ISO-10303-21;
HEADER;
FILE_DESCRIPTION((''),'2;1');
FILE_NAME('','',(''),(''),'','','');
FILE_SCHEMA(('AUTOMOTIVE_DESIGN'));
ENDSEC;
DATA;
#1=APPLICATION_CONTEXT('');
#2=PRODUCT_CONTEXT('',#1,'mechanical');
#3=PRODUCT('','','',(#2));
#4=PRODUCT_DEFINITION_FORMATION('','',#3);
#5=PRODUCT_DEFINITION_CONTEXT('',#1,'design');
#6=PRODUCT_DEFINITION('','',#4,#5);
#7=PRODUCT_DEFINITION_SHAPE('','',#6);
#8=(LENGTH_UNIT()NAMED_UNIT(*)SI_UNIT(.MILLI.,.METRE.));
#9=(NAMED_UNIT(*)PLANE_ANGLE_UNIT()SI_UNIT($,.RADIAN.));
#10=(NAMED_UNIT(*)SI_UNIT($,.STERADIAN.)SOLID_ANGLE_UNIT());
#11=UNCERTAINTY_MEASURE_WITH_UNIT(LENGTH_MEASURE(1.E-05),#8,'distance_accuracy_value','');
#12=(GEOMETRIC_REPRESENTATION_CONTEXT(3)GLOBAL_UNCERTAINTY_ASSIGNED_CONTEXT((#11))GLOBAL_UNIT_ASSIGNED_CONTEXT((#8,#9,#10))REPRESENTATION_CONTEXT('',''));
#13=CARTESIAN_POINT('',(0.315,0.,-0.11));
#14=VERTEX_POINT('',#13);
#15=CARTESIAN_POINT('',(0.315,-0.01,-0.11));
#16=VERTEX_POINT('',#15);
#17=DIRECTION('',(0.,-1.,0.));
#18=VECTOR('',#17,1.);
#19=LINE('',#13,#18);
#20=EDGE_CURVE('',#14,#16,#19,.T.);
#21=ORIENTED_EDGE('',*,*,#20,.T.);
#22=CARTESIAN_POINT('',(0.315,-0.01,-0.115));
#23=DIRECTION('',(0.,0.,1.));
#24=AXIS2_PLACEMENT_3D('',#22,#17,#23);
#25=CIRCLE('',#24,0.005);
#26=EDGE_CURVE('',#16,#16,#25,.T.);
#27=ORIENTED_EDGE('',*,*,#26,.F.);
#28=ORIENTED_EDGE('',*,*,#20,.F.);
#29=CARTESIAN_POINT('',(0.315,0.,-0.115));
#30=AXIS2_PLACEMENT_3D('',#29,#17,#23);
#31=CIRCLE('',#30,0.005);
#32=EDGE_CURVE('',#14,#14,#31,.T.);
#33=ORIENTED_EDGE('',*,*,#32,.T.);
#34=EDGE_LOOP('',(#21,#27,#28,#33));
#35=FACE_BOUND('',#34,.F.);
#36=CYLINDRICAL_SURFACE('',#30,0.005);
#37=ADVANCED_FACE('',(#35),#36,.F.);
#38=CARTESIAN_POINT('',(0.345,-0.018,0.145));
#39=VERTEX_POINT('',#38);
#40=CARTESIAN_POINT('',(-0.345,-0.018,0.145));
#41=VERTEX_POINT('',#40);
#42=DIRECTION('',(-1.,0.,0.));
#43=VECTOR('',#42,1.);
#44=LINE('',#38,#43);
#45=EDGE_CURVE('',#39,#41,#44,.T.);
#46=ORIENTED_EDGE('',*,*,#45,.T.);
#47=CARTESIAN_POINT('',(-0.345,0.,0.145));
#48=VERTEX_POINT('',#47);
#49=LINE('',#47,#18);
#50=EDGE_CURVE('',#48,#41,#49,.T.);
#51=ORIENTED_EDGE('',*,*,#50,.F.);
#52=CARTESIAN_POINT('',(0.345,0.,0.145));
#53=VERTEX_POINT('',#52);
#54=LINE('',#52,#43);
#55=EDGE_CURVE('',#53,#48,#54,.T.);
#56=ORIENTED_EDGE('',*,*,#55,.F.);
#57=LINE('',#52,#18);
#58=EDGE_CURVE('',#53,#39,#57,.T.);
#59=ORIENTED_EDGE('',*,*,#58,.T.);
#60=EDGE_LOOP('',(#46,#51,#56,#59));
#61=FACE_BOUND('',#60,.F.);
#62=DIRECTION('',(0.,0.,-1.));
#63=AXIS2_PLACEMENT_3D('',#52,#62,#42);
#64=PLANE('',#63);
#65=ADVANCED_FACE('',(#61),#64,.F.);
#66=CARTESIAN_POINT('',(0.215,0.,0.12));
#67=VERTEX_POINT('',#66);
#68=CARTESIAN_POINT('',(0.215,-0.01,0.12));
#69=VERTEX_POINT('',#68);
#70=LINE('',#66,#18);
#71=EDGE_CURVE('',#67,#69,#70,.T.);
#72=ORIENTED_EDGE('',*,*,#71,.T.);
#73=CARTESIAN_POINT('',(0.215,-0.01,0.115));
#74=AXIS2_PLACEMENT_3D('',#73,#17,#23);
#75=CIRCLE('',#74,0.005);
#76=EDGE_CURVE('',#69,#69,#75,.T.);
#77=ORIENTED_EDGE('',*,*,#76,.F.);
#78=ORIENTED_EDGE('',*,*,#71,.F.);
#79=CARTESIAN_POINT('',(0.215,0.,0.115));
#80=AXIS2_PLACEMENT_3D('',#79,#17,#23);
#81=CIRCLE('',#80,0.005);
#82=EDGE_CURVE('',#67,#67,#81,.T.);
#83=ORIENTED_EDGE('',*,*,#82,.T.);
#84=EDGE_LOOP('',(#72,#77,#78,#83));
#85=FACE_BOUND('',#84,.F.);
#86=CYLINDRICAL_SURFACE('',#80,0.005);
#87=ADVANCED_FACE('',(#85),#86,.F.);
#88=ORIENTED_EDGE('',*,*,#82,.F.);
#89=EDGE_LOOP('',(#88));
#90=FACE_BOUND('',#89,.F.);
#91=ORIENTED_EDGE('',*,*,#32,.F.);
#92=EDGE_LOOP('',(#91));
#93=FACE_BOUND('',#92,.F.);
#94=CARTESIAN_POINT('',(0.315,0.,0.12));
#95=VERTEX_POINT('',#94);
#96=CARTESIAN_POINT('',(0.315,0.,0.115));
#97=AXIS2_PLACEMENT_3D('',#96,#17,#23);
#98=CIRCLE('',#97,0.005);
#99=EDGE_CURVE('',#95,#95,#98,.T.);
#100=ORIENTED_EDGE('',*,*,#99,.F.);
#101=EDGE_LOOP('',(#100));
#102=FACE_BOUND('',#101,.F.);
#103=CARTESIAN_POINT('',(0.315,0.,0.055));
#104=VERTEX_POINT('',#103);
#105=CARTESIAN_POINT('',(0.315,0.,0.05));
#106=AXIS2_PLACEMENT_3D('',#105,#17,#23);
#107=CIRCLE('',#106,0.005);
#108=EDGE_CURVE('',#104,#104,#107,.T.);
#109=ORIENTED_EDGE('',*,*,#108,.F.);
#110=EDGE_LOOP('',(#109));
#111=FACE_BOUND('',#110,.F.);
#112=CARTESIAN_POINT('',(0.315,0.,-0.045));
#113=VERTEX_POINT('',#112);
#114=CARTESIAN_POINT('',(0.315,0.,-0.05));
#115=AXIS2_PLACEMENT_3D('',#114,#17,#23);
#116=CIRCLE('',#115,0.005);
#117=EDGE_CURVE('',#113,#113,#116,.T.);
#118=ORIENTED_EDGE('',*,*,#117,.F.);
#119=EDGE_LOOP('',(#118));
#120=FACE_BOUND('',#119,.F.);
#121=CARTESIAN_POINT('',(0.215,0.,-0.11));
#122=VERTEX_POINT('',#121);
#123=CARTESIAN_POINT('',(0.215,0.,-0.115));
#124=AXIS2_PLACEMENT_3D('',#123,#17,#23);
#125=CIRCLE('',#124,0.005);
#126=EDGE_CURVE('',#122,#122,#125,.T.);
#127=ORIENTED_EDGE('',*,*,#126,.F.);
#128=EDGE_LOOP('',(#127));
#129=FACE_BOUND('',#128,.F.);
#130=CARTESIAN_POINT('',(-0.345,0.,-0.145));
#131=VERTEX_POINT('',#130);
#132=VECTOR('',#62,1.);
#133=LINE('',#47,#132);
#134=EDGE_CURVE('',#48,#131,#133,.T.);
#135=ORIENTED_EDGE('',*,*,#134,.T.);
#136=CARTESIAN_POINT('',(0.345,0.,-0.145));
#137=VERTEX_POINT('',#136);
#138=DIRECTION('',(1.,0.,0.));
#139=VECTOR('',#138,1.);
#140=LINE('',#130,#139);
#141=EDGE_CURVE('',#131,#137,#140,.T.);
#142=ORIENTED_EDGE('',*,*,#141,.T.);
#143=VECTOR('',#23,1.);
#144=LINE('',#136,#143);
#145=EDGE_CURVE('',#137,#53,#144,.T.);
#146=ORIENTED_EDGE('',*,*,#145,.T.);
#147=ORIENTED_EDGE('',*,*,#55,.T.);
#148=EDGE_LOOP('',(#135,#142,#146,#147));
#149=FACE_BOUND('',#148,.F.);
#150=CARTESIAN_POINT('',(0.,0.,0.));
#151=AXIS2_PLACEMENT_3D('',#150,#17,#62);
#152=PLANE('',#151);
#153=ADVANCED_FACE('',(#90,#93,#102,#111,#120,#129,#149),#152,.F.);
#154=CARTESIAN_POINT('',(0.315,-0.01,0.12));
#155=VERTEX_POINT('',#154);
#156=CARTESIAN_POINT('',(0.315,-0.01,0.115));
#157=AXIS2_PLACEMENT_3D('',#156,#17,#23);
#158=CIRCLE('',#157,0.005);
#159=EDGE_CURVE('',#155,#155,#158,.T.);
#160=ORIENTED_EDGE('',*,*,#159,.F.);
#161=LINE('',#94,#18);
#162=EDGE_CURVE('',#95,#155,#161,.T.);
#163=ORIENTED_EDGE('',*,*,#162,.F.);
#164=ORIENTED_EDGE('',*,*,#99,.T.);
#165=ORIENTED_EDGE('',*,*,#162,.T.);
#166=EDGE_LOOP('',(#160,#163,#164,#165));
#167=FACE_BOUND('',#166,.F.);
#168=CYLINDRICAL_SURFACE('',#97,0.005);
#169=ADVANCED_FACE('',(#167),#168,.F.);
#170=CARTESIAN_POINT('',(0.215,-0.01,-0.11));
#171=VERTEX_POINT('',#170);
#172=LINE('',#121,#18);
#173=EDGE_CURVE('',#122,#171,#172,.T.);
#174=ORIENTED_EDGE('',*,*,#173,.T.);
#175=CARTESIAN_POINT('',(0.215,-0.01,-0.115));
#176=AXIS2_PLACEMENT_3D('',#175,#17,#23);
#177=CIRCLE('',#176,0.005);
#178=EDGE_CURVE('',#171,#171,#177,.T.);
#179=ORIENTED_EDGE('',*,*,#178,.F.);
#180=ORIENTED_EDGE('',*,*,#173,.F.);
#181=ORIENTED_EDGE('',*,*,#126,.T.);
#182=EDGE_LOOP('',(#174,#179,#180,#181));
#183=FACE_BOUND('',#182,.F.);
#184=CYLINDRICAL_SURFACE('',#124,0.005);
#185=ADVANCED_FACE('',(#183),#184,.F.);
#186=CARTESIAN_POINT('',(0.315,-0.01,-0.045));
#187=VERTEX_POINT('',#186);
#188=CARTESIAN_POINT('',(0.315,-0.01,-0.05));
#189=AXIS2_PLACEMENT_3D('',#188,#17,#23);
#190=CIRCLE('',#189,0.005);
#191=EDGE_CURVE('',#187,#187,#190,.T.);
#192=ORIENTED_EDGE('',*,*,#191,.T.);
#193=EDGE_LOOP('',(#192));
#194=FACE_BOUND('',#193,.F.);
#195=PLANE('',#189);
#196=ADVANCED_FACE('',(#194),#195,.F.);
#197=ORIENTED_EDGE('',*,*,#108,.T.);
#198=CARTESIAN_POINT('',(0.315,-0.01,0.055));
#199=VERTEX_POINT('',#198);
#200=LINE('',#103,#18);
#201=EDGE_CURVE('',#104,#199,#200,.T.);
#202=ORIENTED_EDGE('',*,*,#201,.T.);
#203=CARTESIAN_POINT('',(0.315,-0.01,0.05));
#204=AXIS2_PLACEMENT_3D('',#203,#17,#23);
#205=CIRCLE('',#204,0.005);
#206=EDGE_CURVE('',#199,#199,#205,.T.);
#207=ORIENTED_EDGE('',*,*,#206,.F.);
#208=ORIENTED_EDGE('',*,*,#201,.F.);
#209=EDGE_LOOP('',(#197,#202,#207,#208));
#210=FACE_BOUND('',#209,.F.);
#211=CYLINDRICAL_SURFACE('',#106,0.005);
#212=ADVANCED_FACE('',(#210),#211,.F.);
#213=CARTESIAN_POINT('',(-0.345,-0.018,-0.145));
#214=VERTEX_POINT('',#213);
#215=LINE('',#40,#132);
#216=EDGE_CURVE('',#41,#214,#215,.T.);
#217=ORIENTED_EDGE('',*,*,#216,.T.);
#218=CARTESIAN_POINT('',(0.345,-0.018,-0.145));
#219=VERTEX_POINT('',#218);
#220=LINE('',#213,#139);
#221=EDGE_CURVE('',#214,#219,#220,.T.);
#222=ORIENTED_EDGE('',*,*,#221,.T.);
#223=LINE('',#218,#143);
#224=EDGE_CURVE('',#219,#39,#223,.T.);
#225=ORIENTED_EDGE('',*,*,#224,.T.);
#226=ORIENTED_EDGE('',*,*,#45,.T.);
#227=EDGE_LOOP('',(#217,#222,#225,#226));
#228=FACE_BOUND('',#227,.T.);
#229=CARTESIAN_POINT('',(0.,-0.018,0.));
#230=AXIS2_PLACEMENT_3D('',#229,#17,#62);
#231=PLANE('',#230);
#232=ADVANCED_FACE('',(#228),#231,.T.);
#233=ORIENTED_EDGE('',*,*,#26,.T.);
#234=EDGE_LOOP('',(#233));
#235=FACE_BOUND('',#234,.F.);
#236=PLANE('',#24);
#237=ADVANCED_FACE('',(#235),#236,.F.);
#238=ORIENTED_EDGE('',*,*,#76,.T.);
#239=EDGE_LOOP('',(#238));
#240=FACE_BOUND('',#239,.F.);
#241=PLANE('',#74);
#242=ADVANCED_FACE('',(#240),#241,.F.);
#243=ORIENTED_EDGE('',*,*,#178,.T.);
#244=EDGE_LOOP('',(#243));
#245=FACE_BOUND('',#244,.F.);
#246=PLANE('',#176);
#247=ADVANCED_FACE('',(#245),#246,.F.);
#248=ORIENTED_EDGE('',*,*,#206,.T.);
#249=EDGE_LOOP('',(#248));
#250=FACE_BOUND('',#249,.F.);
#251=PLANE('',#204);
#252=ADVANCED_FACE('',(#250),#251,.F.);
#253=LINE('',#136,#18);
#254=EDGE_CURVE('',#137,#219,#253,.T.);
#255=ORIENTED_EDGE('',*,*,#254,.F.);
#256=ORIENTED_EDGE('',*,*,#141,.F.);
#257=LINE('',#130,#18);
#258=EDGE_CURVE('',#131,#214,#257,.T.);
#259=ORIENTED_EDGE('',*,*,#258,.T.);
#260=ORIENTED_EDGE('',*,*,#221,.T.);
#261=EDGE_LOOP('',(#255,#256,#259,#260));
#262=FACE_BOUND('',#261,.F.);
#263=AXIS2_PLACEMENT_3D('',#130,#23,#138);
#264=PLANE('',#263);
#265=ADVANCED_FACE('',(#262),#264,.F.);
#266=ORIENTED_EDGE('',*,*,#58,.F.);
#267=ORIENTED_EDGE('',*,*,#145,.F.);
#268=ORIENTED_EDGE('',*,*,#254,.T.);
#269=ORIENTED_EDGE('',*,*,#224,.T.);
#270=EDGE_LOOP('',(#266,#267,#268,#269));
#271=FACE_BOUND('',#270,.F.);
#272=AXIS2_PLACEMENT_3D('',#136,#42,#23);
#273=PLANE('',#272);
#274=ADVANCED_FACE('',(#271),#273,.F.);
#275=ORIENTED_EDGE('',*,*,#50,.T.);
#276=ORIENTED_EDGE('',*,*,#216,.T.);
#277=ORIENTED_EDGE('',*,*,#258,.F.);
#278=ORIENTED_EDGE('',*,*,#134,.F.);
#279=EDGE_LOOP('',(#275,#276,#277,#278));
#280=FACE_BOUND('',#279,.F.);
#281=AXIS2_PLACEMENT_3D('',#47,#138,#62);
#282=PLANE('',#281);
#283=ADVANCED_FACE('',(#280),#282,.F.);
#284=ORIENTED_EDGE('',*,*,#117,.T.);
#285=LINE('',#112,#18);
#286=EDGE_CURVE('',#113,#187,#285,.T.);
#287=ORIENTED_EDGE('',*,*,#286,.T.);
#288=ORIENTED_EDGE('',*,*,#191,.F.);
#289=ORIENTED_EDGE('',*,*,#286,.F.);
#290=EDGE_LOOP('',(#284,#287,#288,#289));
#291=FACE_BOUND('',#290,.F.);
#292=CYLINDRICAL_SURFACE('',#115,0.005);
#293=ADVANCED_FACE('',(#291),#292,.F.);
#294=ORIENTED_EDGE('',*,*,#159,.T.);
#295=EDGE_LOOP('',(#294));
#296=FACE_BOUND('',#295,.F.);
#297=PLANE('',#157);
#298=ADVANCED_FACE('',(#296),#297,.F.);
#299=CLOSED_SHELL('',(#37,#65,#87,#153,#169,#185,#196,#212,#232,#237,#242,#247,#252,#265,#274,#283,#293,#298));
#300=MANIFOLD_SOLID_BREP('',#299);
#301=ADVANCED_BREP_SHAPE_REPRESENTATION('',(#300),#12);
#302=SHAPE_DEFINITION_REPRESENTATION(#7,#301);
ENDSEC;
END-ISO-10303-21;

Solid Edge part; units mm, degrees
sketch "Sketch1" plane through (0, 0, 0) normal (0, -1, 0) x (1, 0, 0)
  line L0 (-0.345, -0.145) -> (0.345, -0.145)
  line L1 (0.345, -0.145) -> (0.345, 0.145)
  line L2 (0.345, 0.145) -> (-0.345, 0.145)
  line L3 (-0.345, 0.145) -> (-0.345, -0.145)
  dimension "D1" = 0.29
  dimension "D2" = 0.69
extrude "Protrusion1" add sketch "Sketch1" along normal blind 0.018
hole "Bohrung_13" at (0.315, 0, 0.05) direction (0, -1, 0) diameter 0.01 depth 0.01
hole "Hole1" at (0.315, 0, -0.05) direction (0, -1, 0) diameter 0.01 depth 0.01
hole "Hole2" at (0.315, 0, -0.115) direction (0, -1, 0) diameter 0.01 depth 0.01
hole "Hole3" at (0.215, 0, -0.115) direction (0, -1, 0) diameter 0.01 depth 0.01
hole "Hole4" at (0.315, 0, 0.115) direction (0, -1, 0) diameter 0.01 depth 0.01
hole "Hole5" at (0.215, 0, 0.115) direction (0, -1, 0) diameter 0.01 depth 0.01
